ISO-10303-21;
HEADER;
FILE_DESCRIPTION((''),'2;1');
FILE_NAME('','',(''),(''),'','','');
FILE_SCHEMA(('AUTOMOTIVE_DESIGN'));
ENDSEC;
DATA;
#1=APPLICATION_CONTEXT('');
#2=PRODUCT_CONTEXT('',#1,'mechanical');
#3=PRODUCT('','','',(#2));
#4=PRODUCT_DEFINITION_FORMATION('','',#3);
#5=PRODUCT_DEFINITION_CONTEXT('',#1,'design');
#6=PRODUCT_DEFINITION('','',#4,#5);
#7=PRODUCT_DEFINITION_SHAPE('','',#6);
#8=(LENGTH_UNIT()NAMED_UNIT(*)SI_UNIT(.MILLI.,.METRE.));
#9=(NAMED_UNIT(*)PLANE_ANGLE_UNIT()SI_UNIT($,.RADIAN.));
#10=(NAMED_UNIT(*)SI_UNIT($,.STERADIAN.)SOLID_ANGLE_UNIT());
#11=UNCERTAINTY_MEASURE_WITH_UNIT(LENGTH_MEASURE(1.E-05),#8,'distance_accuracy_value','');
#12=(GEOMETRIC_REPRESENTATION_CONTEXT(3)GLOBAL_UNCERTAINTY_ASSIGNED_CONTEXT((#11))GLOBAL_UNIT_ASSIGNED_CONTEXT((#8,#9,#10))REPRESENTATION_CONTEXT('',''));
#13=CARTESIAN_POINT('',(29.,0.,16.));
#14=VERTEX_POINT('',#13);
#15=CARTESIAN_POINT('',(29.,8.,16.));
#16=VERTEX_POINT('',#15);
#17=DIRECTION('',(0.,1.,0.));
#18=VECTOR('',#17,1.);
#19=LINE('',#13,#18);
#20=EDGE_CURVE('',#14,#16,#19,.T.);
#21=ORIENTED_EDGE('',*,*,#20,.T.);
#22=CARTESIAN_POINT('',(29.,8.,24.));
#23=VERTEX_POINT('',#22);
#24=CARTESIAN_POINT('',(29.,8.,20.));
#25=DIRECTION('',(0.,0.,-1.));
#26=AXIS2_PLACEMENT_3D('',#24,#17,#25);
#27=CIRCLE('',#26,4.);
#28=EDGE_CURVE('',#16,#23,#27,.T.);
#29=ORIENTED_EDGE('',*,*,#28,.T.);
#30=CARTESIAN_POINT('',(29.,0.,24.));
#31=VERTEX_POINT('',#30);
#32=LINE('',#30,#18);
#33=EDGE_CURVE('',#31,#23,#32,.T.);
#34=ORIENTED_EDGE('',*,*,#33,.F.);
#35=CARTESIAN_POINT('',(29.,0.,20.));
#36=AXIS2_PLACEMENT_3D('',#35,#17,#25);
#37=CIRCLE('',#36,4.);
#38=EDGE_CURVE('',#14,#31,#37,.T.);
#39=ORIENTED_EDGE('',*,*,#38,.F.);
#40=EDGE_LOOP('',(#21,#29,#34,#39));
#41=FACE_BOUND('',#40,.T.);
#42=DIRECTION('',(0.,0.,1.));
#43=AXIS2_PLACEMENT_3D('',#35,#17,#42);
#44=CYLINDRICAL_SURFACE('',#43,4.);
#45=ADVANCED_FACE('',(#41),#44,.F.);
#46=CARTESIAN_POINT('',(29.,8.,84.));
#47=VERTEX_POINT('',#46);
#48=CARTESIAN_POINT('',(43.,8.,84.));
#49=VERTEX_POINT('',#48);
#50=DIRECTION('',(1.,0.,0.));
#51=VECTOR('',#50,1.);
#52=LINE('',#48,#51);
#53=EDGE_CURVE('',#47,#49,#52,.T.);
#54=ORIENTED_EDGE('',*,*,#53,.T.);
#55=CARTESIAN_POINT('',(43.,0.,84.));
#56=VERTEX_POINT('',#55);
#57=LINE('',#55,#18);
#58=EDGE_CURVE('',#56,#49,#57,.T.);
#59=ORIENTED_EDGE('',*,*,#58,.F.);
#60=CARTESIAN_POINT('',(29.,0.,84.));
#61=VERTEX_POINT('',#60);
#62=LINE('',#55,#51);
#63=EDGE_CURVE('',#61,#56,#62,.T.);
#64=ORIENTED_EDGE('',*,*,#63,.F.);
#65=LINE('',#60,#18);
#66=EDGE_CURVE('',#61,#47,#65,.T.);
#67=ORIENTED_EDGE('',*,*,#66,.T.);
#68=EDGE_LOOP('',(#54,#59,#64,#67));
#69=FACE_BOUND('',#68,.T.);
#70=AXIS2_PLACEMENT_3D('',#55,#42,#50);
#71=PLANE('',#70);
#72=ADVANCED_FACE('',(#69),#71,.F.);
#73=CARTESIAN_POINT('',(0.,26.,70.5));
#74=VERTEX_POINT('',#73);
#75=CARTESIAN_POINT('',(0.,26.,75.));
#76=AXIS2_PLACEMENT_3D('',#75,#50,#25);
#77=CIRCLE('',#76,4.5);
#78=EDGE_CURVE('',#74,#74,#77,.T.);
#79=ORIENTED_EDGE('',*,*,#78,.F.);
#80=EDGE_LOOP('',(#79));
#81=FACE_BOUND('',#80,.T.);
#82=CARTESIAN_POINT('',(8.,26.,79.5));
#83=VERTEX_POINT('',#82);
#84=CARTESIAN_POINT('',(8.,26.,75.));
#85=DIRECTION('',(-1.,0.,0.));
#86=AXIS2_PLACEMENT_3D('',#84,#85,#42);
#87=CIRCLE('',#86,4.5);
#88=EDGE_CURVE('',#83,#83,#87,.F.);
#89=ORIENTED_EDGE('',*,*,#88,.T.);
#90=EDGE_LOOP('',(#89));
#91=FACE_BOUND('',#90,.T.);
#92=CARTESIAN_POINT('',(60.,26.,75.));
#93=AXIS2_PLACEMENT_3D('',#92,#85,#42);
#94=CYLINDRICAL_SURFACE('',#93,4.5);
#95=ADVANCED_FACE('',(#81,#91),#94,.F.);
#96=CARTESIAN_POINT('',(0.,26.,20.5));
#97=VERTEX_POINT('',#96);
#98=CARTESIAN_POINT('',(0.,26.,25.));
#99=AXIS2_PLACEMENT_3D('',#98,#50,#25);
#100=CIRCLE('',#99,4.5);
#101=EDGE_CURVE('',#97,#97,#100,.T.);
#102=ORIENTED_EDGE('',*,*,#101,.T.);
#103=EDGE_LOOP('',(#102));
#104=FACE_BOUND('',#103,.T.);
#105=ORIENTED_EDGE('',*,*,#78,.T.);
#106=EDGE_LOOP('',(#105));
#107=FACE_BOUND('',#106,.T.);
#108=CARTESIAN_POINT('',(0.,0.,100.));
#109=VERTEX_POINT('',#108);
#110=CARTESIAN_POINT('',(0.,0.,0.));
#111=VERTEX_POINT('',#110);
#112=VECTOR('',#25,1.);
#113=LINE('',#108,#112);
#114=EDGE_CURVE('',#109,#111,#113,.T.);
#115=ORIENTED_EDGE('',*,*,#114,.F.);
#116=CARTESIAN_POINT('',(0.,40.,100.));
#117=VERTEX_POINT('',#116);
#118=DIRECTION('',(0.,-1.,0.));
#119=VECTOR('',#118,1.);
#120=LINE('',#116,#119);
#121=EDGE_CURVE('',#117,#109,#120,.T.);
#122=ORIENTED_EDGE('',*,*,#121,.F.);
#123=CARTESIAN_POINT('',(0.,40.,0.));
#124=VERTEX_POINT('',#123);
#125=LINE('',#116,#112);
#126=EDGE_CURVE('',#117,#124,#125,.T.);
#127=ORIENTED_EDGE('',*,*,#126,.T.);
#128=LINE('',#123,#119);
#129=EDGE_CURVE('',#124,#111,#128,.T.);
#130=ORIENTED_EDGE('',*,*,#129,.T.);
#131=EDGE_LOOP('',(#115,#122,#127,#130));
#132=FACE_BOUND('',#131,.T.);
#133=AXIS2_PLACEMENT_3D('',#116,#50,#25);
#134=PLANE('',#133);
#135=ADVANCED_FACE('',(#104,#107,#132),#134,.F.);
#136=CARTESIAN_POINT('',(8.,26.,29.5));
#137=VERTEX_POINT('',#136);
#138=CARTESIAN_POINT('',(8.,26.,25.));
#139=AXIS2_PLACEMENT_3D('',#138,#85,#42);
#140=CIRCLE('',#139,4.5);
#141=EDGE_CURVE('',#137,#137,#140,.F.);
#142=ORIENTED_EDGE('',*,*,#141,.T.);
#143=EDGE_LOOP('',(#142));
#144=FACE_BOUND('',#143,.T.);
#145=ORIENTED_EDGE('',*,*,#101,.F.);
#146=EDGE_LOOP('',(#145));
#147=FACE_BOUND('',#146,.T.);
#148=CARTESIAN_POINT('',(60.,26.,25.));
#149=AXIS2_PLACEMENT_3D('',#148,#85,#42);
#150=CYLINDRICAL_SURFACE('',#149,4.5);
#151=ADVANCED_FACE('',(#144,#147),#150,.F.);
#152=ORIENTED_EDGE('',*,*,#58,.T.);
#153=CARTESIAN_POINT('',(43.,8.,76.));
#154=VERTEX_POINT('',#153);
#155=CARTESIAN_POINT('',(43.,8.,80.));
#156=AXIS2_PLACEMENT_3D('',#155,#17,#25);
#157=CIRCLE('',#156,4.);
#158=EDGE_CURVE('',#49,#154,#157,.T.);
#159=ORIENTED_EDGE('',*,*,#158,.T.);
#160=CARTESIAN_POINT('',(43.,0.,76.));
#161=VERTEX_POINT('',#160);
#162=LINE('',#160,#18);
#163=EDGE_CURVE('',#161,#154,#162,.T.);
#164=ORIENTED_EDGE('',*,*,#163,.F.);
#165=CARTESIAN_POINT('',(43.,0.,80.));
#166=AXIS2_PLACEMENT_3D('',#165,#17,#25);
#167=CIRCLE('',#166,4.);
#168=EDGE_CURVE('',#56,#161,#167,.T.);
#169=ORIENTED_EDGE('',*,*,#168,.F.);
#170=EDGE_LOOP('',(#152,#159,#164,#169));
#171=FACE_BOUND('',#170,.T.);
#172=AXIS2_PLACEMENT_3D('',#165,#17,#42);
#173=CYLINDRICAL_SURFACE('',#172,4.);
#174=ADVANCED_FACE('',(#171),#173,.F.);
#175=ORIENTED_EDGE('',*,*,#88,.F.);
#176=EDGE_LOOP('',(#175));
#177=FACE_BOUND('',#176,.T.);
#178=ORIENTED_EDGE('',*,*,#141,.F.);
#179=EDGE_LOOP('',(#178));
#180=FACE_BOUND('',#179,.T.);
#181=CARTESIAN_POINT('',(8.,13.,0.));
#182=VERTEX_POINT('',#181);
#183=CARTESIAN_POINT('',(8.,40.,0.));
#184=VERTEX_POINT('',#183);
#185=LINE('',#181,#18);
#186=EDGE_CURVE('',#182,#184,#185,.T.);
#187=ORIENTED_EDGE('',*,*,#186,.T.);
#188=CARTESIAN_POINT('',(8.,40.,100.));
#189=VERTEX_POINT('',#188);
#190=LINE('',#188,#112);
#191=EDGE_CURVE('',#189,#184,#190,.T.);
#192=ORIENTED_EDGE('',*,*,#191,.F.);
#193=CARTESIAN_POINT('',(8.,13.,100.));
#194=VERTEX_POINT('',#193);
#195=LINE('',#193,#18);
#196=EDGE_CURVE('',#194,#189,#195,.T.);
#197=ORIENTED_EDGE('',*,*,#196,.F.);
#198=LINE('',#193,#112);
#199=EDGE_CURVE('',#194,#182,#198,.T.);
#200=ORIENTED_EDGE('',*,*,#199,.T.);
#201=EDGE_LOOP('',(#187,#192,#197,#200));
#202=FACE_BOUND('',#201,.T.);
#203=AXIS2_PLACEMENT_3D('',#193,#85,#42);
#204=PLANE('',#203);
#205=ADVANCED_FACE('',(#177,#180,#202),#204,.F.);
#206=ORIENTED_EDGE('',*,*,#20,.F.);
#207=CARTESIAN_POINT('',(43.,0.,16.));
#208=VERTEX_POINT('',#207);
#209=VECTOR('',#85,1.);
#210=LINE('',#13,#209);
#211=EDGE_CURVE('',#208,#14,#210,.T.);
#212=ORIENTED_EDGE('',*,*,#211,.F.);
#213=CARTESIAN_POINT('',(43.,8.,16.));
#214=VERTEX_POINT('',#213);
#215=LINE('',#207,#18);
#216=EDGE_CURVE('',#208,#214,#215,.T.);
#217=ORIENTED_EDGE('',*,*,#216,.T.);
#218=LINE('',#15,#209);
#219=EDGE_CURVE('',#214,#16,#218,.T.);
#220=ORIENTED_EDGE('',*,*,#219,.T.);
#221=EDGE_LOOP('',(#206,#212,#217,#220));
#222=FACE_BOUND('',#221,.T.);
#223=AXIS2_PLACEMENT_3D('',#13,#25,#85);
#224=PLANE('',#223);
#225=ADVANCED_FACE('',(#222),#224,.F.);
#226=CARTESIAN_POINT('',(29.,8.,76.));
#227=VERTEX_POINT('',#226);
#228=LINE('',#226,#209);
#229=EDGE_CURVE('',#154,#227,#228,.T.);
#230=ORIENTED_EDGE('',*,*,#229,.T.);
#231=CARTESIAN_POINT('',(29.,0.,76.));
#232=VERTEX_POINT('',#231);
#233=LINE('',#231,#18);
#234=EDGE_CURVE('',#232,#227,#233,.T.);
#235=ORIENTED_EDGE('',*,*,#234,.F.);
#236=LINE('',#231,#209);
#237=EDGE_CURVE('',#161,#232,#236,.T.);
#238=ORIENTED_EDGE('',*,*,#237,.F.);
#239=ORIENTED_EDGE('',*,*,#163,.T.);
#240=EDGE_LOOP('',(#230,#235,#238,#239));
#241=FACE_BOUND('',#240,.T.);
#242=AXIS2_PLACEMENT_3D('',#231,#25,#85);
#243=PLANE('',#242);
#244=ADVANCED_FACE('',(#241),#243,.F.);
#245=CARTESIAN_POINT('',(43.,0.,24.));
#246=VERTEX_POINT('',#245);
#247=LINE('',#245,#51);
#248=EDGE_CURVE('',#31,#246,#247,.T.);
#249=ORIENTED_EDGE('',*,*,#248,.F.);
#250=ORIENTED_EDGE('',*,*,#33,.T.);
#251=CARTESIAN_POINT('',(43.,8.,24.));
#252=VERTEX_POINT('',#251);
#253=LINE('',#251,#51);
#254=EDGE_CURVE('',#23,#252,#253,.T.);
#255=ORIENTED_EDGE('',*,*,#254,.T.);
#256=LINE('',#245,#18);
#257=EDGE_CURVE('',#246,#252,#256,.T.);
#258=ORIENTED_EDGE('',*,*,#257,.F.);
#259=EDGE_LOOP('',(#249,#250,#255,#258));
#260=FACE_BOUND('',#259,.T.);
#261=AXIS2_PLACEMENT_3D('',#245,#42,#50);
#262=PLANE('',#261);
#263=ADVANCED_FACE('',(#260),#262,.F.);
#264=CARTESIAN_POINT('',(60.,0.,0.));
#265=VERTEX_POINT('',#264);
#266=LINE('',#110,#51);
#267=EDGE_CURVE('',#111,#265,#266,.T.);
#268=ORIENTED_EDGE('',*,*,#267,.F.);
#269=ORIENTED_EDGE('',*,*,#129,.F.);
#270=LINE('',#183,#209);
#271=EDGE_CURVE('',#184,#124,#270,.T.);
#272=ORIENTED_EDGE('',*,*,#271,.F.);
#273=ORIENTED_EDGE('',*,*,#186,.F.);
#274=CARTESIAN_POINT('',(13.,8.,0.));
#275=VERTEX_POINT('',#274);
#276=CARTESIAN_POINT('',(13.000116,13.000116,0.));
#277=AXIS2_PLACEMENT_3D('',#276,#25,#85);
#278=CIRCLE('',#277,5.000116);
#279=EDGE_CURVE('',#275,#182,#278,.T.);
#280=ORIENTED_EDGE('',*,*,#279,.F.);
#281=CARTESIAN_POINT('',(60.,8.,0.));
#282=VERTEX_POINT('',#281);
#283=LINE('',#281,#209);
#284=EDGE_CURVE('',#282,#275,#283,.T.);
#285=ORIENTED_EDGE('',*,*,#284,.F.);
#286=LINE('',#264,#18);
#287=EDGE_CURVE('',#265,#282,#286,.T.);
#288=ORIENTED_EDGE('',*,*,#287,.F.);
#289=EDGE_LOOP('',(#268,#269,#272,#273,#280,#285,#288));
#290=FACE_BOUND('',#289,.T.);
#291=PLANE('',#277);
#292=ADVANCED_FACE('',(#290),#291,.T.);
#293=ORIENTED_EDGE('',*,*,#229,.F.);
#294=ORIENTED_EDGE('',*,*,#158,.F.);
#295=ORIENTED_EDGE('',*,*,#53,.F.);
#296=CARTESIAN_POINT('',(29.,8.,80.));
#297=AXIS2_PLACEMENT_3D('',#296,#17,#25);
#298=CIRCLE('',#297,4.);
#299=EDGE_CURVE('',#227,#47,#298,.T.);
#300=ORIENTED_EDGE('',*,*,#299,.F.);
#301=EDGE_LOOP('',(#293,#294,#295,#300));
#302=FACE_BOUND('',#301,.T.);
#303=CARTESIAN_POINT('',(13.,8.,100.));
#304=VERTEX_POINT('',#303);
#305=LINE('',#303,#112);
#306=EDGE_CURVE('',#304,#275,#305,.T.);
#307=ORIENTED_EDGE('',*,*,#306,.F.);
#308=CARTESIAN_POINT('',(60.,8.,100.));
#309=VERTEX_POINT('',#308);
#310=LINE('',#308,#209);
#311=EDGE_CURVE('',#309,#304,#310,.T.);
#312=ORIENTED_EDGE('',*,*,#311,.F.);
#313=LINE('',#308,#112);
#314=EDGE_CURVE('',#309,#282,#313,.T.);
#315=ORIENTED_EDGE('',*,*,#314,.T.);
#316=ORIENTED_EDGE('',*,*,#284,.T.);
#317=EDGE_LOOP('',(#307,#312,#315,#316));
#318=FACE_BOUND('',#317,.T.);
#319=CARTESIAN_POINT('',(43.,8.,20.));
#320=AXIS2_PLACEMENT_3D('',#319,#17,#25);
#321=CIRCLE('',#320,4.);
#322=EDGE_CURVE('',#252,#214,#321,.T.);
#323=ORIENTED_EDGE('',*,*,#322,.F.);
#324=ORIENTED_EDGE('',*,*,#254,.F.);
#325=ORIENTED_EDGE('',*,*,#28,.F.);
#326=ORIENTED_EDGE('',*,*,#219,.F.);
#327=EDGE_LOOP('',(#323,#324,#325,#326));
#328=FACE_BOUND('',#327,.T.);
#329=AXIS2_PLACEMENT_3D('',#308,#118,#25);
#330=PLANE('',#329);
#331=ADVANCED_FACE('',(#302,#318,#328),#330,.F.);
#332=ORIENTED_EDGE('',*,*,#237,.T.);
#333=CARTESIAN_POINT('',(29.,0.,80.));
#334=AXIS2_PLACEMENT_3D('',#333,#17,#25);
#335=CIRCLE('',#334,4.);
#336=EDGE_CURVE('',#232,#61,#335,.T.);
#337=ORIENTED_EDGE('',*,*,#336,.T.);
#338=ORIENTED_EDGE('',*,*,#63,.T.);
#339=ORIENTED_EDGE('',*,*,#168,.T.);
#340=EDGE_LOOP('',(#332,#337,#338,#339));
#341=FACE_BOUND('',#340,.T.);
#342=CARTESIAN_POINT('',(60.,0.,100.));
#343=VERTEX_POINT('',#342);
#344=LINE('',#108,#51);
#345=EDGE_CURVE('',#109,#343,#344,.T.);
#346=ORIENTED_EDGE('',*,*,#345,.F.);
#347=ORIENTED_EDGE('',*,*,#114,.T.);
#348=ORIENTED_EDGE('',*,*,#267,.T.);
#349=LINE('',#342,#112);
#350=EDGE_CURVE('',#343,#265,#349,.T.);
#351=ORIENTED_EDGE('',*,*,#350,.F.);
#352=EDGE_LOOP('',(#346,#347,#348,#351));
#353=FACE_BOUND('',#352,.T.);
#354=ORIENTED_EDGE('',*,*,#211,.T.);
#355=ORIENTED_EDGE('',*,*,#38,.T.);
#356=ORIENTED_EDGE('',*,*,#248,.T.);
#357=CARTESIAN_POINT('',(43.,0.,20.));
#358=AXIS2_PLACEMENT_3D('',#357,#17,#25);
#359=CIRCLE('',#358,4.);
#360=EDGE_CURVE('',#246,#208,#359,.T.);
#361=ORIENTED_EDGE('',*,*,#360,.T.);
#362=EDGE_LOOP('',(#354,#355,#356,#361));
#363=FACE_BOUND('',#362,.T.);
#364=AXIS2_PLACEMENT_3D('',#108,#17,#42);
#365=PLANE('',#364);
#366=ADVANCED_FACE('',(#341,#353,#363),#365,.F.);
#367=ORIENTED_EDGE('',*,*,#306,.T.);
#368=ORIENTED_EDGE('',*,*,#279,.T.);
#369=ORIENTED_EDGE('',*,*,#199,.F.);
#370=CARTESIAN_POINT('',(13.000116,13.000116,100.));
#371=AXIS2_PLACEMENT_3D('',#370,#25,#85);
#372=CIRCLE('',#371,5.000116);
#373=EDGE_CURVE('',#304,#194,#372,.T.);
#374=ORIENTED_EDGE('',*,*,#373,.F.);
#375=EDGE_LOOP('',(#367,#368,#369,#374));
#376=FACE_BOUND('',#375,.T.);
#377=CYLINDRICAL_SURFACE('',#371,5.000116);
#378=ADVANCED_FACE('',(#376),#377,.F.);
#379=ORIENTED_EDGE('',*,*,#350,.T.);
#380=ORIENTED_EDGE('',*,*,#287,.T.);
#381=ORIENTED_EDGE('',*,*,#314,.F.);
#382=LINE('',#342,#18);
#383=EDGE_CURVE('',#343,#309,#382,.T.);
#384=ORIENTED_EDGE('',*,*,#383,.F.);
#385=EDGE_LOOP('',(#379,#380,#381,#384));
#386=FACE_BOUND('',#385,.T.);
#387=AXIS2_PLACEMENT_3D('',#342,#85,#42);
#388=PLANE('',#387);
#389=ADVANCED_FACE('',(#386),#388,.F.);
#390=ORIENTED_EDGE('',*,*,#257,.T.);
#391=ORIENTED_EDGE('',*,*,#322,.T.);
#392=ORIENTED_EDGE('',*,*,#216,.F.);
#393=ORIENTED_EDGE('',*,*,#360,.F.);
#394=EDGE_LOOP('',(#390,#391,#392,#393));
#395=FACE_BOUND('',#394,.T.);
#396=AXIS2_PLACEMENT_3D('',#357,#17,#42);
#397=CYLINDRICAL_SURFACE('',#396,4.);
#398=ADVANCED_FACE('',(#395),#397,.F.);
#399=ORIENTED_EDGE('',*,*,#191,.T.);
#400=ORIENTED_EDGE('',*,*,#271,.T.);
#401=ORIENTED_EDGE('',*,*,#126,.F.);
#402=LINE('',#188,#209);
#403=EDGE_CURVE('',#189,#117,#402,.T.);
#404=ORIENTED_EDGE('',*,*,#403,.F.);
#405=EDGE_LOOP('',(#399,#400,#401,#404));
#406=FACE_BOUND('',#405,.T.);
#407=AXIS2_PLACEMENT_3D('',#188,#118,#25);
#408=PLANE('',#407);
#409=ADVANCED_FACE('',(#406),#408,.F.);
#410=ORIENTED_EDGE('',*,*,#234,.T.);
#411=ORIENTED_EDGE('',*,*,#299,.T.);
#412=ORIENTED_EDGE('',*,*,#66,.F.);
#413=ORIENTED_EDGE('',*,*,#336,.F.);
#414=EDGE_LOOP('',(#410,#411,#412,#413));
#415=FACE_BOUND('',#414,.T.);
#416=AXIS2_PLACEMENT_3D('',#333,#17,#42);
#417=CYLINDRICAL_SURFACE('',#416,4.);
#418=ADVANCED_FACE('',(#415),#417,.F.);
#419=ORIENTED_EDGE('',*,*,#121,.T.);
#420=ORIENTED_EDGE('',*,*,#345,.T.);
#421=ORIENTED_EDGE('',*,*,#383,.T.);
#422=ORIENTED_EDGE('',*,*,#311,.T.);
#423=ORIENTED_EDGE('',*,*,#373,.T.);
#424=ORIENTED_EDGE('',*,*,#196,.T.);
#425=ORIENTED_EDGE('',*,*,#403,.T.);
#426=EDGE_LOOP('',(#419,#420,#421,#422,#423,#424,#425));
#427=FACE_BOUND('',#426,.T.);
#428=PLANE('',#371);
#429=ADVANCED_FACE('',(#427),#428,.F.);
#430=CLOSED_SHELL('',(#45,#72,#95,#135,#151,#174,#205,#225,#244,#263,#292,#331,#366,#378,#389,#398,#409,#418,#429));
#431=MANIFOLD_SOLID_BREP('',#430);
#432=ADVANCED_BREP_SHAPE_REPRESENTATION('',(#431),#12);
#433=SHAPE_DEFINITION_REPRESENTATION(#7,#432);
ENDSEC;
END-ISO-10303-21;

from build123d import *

# Parameters (mm, degrees)
EXTRUDE_1_DEPTH     = 100
CUT_EXTRUDE_3_DEPTH = 121.929731663
SKETCH_4_R          = 4.5
CUT_EXTRUDE_4_DEPTH = 124.288280059


with BuildPart() as part:
    # 草图1 → 凸台-拉伸1 (new body)
    with BuildSketch(Plane.XY):
        with BuildLine():
            Line((0, 0), (60, 0))
            Line((60, 0), (60, 8))
            Line((60, 8), (13, 8))
            ThreePointArc((13, 8), (9.4645, 9.4645), (8, 13))
            Line((8, 13), (8, 40))
            Line((8, 40), (0, 40))
            Line((0, 40), (0, 0))
        make_face()
    extrude(amount=EXTRUDE_1_DEPTH)

    # 草图3 → 切除-拉伸3 (cut, through all)
    with BuildSketch(Plane(origin=(0, 8, 0), x_dir=(1, 0, 0), z_dir=(0, 1, 0))):
        with BuildLine():
            Line((29, -16), (43, -16))
            ThreePointArc((43, -16), (47, -20), (43, -24))
            Line((43, -24), (29, -24))
            ThreePointArc((29, -24), (25, -20), (29, -16))
        make_face()
        with BuildLine():
            Line((29, -76), (43, -76))
            ThreePointArc((43, -76), (47, -80), (43, -84))
            Line((43, -84), (29, -84))
            ThreePointArc((29, -84), (25, -80), (29, -76))
        make_face()
    extrude(amount=-CUT_EXTRUDE_3_DEPTH, mode=Mode.SUBTRACT)

    # 草图4 → 切除-拉伸4 (cut, through all)
    with BuildSketch(Plane(origin=(0, 0, 0), x_dir=(0, 0, -1), z_dir=(1, 0, 0))):
        with Locations(Location((-25, 26, 0), (0, 0, 180))):
            Circle(SKETCH_4_R)
        with Locations(Location((-75, 26, 0), (0, 0, 180))):
            Circle(SKETCH_4_R)
    extrude(amount=CUT_EXTRUDE_4_DEPTH, mode=Mode.SUBTRACT)


solid = part.part
